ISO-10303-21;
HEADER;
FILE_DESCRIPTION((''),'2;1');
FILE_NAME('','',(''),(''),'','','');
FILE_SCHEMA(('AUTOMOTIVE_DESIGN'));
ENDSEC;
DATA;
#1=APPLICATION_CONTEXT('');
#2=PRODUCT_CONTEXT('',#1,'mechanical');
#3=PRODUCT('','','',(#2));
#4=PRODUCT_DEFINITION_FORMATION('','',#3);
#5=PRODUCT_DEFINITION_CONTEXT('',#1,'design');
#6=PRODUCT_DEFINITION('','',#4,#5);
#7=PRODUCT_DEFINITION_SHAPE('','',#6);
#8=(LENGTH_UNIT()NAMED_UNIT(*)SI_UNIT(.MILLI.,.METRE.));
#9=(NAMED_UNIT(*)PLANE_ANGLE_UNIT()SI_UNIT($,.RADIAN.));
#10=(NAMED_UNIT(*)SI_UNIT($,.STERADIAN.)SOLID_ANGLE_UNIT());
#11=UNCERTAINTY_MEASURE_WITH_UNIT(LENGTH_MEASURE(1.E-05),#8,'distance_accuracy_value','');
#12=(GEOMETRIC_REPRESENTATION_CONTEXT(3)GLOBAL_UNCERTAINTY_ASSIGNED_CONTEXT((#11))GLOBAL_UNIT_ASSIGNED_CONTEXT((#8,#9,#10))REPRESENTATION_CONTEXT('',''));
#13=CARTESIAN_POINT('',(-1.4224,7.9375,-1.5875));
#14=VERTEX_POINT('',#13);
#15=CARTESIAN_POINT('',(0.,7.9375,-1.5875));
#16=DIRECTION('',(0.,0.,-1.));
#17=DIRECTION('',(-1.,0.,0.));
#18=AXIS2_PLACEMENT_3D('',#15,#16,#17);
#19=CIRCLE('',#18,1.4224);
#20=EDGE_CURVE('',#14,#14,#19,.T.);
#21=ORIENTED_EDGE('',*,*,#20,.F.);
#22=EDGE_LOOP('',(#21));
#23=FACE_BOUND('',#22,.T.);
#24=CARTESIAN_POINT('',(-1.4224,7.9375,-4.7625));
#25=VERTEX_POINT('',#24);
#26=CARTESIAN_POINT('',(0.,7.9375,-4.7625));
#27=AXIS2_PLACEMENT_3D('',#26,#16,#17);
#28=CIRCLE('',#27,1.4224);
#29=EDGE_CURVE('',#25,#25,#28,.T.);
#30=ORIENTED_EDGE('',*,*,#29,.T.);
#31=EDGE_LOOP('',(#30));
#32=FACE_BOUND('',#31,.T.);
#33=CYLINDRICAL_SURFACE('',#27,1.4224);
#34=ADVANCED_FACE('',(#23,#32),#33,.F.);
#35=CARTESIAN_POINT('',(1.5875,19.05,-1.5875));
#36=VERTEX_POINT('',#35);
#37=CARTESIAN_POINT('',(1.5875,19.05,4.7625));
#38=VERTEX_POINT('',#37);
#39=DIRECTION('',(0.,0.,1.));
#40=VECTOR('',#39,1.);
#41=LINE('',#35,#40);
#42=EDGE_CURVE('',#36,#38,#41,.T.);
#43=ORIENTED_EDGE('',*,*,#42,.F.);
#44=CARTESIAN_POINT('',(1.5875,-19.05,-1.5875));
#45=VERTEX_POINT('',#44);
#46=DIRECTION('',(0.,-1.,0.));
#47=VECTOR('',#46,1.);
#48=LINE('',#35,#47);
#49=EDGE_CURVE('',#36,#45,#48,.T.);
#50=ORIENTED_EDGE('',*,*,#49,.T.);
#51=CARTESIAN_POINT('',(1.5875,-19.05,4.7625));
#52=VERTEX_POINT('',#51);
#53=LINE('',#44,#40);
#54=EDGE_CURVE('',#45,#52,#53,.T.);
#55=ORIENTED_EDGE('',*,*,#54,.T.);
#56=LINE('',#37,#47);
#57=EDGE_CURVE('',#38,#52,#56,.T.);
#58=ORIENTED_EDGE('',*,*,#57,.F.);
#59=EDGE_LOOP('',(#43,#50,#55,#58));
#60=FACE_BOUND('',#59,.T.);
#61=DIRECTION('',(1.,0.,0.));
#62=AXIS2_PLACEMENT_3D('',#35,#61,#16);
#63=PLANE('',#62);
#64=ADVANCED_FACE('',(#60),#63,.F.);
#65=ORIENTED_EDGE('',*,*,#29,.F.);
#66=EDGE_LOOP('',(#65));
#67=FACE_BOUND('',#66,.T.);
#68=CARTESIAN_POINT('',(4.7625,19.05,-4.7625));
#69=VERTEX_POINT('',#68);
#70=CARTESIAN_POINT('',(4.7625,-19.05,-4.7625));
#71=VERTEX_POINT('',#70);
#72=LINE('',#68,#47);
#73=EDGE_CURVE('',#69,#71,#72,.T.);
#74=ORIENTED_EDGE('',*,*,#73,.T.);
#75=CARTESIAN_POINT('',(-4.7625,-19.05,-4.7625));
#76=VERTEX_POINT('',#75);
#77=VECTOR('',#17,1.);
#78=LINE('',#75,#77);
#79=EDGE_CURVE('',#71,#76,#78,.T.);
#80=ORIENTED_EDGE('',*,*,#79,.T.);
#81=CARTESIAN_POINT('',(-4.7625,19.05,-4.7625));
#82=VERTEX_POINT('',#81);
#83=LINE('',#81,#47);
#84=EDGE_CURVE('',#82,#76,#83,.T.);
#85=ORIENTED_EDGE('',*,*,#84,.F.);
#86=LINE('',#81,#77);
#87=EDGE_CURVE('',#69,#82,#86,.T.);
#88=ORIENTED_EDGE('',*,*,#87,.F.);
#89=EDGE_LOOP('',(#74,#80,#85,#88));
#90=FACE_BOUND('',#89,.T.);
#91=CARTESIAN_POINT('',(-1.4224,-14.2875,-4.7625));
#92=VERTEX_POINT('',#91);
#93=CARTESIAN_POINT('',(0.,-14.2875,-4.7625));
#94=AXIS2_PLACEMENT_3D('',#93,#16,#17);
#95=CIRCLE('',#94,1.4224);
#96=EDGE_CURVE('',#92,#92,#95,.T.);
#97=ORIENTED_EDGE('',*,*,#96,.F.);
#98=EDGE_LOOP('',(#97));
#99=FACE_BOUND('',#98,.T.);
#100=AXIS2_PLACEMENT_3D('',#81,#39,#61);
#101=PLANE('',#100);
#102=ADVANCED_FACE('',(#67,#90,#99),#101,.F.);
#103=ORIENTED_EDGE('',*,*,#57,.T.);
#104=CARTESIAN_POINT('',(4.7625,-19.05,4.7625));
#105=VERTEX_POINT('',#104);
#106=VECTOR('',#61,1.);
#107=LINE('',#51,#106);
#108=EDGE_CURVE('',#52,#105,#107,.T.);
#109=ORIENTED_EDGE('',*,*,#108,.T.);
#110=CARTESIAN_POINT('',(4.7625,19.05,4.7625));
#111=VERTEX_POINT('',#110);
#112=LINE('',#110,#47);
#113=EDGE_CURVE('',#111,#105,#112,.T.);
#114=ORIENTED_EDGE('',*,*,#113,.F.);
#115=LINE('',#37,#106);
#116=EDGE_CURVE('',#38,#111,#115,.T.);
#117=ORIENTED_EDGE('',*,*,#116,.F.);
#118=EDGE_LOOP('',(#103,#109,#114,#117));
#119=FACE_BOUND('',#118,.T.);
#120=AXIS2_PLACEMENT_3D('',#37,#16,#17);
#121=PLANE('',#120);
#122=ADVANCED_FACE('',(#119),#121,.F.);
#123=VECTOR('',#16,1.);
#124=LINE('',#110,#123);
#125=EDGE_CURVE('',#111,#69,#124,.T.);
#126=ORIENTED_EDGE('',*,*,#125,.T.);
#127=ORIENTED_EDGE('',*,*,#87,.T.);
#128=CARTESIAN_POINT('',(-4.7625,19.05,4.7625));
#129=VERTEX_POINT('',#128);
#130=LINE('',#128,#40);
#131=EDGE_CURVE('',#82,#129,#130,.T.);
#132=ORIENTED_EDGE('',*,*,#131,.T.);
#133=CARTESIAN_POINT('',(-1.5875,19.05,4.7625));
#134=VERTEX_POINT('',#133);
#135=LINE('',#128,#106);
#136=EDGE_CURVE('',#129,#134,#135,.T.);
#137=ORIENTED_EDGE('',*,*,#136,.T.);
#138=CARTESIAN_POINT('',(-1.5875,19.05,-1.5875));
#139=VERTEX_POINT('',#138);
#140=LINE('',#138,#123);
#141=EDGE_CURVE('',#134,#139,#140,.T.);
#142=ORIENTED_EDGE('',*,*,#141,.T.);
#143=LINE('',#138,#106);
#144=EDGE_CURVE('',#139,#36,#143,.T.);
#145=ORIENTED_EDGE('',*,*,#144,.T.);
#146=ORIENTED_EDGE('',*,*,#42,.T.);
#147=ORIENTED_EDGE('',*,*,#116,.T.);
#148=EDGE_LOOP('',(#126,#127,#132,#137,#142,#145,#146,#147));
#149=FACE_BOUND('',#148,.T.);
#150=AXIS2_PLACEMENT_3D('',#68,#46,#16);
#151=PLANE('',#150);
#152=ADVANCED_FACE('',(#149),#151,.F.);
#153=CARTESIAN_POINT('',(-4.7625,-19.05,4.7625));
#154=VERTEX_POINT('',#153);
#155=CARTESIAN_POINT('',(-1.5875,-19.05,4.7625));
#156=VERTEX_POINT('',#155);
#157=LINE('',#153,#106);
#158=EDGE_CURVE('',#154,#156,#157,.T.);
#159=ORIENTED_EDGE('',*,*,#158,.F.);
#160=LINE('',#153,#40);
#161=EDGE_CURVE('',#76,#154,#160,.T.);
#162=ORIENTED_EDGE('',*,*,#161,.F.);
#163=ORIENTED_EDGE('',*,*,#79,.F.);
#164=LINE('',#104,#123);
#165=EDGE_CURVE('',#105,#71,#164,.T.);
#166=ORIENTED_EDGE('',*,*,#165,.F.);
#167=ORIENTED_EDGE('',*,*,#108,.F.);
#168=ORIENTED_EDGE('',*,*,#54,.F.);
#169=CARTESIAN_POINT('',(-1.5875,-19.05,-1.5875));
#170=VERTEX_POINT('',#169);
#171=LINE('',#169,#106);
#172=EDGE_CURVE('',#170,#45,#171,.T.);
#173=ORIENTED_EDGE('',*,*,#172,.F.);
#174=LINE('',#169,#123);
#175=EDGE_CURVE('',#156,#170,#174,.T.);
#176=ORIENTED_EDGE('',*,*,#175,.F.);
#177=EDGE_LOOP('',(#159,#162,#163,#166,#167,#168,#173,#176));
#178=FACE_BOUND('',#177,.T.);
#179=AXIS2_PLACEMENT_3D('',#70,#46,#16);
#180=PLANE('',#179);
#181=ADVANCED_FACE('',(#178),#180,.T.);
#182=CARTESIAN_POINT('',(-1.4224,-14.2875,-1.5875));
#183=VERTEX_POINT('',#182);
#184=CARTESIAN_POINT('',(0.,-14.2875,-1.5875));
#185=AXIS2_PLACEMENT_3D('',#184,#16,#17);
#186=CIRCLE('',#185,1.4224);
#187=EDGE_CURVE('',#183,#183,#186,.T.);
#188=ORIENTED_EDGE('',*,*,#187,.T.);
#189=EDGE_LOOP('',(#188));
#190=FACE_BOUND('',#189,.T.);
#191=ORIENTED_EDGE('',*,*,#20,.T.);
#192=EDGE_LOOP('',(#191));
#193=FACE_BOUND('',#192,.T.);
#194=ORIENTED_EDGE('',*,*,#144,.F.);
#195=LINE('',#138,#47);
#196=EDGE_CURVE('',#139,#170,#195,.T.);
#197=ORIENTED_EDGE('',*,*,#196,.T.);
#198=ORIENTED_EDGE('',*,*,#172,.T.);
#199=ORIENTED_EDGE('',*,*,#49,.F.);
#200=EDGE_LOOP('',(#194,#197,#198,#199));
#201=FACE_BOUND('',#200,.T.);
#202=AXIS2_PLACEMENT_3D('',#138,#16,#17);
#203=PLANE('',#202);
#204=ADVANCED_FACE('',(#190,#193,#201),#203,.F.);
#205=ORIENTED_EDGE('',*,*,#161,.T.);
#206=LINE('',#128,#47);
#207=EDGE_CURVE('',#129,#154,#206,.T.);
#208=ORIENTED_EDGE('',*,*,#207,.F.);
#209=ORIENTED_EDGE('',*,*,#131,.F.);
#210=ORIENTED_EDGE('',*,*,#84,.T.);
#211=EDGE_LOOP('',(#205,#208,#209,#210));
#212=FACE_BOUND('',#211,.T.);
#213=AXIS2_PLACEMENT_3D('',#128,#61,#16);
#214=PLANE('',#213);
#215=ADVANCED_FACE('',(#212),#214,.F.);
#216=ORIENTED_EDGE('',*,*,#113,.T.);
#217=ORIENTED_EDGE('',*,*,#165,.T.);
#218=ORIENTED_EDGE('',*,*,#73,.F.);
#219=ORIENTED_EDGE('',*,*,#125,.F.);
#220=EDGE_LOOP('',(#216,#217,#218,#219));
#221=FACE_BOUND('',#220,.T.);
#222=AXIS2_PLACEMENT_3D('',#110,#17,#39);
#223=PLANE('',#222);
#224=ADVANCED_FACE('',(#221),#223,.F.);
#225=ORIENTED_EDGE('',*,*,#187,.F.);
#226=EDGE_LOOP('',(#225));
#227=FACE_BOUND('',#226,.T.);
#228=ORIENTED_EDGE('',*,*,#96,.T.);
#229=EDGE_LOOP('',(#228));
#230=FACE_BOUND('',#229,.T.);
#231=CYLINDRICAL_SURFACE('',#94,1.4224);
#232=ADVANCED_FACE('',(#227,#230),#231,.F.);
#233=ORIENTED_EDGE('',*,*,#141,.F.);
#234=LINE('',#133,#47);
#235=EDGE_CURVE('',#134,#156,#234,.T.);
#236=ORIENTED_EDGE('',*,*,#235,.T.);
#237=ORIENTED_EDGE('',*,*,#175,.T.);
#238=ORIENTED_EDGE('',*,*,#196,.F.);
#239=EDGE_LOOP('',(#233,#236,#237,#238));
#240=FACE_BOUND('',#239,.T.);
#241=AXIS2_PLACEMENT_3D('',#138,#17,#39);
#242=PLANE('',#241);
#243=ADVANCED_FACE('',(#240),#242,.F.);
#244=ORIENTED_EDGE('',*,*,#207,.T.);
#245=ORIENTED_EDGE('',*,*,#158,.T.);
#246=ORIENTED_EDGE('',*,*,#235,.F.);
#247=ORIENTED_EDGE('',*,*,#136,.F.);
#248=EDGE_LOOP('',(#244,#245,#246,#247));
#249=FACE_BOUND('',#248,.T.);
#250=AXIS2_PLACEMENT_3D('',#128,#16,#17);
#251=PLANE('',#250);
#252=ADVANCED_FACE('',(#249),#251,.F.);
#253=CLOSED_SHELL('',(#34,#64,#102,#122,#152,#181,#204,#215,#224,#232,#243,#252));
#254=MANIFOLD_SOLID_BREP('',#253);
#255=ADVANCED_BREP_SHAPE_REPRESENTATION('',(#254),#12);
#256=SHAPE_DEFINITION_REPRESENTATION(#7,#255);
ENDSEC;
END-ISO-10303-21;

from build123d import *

# Parameters (mm, degrees)
EXTRUDE1_DEPTH                  = 19.05
F_4_40_TAPPED_HOLE1_D           = 2.2606
F_4_40_TAPPED_HOLE1_DEPTH       = 8.89
F_4_40_TAPPED_HOLE1_CBORE_D     = 2.8448
F_4_40_TAPPED_HOLE1_CBORE_DEPTH = 5.588
F_4_40_TAPPED_HOLE1_TIP         = 0.679152758


with BuildPart() as part:
    # Sketch1 → Extrude1 (new body, symmetric)
    with BuildSketch(Plane(origin=(0, 0, 0), x_dir=(1, 0, 0), z_dir=(0, 1, 0))):
        Polygon((-4.7625, -4.7625), (-1.5875, -4.7625), (-1.5875, 1.5875), (1.5875, 1.5875), (1.5875, -4.7625), (4.7625, -4.7625), (4.7625, 4.7625), (-4.7625, 4.7625), align=None)
    extrude(amount=EXTRUDE1_DEPTH, both=True)

    # #4-40 Tapped Hole1
    with Locations(Plane(origin=(0, 7.9375, -4.7625), x_dir=(-1, 0, 0), z_dir=(0, 0, -1))):
        with Locations((0, 0), (0, -22.225)):
            CounterBoreHole(F_4_40_TAPPED_HOLE1_D / 2, F_4_40_TAPPED_HOLE1_CBORE_D / 2, F_4_40_TAPPED_HOLE1_CBORE_DEPTH, depth=F_4_40_TAPPED_HOLE1_DEPTH)
            with Locations((0, 0, -(F_4_40_TAPPED_HOLE1_DEPTH + F_4_40_TAPPED_HOLE1_TIP / 2))):  # 118° drill point
                Cone(0, F_4_40_TAPPED_HOLE1_D / 2, F_4_40_TAPPED_HOLE1_TIP, mode=Mode.SUBTRACT)


solid = part.part
